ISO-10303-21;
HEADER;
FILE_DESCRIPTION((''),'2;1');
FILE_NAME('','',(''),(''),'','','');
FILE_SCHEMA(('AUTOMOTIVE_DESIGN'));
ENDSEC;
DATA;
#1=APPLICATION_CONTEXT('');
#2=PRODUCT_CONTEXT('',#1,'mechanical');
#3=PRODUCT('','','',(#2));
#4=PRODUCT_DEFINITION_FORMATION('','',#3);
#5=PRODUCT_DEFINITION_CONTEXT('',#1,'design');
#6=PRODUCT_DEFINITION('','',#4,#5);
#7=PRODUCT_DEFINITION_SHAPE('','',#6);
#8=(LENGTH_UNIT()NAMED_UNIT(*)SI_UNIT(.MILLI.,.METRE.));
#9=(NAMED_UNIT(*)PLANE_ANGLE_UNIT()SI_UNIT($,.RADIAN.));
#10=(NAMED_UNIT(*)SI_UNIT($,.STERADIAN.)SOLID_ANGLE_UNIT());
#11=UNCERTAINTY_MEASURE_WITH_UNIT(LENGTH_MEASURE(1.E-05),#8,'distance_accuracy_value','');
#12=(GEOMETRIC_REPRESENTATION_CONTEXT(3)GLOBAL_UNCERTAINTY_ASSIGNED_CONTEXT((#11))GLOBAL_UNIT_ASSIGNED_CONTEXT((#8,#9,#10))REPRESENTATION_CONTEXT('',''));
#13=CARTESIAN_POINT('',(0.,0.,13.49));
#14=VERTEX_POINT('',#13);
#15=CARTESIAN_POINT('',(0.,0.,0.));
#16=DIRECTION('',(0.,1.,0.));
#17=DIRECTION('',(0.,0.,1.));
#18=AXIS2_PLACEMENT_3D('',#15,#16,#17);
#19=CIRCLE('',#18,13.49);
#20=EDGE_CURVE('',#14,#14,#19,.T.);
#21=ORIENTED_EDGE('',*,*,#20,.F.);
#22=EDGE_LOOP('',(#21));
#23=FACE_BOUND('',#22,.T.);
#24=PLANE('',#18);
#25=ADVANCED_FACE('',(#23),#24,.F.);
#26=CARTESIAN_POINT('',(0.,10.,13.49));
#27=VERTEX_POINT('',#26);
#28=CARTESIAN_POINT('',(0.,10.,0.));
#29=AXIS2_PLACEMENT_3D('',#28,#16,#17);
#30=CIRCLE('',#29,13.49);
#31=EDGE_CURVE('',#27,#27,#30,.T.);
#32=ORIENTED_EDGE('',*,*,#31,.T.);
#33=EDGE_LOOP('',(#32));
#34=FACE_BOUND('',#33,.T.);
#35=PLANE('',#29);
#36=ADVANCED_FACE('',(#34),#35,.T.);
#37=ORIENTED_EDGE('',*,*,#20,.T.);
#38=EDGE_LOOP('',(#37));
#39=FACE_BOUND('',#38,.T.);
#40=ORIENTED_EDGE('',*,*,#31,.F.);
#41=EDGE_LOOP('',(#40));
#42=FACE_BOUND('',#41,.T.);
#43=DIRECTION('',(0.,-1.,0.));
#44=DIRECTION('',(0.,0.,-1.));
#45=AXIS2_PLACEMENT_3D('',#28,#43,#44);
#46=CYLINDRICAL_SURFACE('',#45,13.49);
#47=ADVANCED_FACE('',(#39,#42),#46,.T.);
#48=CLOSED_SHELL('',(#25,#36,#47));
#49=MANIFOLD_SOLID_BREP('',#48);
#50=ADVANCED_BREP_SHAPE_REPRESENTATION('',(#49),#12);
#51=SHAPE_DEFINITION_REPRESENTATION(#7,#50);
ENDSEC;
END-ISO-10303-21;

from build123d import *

# Parameters (mm, degrees)
SKETCH1_R           = 13.49
BOSS_EXTRUDE1_DEPTH = 10


with BuildPart() as part:
    # Sketch1 → Boss-Extrude1 (new body)
    with BuildSketch(Plane(origin=(0, 0, 0), x_dir=(1, 0, 0), z_dir=(0, 1, 0))):
        Circle(SKETCH1_R)
    extrude(amount=BOSS_EXTRUDE1_DEPTH)


solid = part.part
